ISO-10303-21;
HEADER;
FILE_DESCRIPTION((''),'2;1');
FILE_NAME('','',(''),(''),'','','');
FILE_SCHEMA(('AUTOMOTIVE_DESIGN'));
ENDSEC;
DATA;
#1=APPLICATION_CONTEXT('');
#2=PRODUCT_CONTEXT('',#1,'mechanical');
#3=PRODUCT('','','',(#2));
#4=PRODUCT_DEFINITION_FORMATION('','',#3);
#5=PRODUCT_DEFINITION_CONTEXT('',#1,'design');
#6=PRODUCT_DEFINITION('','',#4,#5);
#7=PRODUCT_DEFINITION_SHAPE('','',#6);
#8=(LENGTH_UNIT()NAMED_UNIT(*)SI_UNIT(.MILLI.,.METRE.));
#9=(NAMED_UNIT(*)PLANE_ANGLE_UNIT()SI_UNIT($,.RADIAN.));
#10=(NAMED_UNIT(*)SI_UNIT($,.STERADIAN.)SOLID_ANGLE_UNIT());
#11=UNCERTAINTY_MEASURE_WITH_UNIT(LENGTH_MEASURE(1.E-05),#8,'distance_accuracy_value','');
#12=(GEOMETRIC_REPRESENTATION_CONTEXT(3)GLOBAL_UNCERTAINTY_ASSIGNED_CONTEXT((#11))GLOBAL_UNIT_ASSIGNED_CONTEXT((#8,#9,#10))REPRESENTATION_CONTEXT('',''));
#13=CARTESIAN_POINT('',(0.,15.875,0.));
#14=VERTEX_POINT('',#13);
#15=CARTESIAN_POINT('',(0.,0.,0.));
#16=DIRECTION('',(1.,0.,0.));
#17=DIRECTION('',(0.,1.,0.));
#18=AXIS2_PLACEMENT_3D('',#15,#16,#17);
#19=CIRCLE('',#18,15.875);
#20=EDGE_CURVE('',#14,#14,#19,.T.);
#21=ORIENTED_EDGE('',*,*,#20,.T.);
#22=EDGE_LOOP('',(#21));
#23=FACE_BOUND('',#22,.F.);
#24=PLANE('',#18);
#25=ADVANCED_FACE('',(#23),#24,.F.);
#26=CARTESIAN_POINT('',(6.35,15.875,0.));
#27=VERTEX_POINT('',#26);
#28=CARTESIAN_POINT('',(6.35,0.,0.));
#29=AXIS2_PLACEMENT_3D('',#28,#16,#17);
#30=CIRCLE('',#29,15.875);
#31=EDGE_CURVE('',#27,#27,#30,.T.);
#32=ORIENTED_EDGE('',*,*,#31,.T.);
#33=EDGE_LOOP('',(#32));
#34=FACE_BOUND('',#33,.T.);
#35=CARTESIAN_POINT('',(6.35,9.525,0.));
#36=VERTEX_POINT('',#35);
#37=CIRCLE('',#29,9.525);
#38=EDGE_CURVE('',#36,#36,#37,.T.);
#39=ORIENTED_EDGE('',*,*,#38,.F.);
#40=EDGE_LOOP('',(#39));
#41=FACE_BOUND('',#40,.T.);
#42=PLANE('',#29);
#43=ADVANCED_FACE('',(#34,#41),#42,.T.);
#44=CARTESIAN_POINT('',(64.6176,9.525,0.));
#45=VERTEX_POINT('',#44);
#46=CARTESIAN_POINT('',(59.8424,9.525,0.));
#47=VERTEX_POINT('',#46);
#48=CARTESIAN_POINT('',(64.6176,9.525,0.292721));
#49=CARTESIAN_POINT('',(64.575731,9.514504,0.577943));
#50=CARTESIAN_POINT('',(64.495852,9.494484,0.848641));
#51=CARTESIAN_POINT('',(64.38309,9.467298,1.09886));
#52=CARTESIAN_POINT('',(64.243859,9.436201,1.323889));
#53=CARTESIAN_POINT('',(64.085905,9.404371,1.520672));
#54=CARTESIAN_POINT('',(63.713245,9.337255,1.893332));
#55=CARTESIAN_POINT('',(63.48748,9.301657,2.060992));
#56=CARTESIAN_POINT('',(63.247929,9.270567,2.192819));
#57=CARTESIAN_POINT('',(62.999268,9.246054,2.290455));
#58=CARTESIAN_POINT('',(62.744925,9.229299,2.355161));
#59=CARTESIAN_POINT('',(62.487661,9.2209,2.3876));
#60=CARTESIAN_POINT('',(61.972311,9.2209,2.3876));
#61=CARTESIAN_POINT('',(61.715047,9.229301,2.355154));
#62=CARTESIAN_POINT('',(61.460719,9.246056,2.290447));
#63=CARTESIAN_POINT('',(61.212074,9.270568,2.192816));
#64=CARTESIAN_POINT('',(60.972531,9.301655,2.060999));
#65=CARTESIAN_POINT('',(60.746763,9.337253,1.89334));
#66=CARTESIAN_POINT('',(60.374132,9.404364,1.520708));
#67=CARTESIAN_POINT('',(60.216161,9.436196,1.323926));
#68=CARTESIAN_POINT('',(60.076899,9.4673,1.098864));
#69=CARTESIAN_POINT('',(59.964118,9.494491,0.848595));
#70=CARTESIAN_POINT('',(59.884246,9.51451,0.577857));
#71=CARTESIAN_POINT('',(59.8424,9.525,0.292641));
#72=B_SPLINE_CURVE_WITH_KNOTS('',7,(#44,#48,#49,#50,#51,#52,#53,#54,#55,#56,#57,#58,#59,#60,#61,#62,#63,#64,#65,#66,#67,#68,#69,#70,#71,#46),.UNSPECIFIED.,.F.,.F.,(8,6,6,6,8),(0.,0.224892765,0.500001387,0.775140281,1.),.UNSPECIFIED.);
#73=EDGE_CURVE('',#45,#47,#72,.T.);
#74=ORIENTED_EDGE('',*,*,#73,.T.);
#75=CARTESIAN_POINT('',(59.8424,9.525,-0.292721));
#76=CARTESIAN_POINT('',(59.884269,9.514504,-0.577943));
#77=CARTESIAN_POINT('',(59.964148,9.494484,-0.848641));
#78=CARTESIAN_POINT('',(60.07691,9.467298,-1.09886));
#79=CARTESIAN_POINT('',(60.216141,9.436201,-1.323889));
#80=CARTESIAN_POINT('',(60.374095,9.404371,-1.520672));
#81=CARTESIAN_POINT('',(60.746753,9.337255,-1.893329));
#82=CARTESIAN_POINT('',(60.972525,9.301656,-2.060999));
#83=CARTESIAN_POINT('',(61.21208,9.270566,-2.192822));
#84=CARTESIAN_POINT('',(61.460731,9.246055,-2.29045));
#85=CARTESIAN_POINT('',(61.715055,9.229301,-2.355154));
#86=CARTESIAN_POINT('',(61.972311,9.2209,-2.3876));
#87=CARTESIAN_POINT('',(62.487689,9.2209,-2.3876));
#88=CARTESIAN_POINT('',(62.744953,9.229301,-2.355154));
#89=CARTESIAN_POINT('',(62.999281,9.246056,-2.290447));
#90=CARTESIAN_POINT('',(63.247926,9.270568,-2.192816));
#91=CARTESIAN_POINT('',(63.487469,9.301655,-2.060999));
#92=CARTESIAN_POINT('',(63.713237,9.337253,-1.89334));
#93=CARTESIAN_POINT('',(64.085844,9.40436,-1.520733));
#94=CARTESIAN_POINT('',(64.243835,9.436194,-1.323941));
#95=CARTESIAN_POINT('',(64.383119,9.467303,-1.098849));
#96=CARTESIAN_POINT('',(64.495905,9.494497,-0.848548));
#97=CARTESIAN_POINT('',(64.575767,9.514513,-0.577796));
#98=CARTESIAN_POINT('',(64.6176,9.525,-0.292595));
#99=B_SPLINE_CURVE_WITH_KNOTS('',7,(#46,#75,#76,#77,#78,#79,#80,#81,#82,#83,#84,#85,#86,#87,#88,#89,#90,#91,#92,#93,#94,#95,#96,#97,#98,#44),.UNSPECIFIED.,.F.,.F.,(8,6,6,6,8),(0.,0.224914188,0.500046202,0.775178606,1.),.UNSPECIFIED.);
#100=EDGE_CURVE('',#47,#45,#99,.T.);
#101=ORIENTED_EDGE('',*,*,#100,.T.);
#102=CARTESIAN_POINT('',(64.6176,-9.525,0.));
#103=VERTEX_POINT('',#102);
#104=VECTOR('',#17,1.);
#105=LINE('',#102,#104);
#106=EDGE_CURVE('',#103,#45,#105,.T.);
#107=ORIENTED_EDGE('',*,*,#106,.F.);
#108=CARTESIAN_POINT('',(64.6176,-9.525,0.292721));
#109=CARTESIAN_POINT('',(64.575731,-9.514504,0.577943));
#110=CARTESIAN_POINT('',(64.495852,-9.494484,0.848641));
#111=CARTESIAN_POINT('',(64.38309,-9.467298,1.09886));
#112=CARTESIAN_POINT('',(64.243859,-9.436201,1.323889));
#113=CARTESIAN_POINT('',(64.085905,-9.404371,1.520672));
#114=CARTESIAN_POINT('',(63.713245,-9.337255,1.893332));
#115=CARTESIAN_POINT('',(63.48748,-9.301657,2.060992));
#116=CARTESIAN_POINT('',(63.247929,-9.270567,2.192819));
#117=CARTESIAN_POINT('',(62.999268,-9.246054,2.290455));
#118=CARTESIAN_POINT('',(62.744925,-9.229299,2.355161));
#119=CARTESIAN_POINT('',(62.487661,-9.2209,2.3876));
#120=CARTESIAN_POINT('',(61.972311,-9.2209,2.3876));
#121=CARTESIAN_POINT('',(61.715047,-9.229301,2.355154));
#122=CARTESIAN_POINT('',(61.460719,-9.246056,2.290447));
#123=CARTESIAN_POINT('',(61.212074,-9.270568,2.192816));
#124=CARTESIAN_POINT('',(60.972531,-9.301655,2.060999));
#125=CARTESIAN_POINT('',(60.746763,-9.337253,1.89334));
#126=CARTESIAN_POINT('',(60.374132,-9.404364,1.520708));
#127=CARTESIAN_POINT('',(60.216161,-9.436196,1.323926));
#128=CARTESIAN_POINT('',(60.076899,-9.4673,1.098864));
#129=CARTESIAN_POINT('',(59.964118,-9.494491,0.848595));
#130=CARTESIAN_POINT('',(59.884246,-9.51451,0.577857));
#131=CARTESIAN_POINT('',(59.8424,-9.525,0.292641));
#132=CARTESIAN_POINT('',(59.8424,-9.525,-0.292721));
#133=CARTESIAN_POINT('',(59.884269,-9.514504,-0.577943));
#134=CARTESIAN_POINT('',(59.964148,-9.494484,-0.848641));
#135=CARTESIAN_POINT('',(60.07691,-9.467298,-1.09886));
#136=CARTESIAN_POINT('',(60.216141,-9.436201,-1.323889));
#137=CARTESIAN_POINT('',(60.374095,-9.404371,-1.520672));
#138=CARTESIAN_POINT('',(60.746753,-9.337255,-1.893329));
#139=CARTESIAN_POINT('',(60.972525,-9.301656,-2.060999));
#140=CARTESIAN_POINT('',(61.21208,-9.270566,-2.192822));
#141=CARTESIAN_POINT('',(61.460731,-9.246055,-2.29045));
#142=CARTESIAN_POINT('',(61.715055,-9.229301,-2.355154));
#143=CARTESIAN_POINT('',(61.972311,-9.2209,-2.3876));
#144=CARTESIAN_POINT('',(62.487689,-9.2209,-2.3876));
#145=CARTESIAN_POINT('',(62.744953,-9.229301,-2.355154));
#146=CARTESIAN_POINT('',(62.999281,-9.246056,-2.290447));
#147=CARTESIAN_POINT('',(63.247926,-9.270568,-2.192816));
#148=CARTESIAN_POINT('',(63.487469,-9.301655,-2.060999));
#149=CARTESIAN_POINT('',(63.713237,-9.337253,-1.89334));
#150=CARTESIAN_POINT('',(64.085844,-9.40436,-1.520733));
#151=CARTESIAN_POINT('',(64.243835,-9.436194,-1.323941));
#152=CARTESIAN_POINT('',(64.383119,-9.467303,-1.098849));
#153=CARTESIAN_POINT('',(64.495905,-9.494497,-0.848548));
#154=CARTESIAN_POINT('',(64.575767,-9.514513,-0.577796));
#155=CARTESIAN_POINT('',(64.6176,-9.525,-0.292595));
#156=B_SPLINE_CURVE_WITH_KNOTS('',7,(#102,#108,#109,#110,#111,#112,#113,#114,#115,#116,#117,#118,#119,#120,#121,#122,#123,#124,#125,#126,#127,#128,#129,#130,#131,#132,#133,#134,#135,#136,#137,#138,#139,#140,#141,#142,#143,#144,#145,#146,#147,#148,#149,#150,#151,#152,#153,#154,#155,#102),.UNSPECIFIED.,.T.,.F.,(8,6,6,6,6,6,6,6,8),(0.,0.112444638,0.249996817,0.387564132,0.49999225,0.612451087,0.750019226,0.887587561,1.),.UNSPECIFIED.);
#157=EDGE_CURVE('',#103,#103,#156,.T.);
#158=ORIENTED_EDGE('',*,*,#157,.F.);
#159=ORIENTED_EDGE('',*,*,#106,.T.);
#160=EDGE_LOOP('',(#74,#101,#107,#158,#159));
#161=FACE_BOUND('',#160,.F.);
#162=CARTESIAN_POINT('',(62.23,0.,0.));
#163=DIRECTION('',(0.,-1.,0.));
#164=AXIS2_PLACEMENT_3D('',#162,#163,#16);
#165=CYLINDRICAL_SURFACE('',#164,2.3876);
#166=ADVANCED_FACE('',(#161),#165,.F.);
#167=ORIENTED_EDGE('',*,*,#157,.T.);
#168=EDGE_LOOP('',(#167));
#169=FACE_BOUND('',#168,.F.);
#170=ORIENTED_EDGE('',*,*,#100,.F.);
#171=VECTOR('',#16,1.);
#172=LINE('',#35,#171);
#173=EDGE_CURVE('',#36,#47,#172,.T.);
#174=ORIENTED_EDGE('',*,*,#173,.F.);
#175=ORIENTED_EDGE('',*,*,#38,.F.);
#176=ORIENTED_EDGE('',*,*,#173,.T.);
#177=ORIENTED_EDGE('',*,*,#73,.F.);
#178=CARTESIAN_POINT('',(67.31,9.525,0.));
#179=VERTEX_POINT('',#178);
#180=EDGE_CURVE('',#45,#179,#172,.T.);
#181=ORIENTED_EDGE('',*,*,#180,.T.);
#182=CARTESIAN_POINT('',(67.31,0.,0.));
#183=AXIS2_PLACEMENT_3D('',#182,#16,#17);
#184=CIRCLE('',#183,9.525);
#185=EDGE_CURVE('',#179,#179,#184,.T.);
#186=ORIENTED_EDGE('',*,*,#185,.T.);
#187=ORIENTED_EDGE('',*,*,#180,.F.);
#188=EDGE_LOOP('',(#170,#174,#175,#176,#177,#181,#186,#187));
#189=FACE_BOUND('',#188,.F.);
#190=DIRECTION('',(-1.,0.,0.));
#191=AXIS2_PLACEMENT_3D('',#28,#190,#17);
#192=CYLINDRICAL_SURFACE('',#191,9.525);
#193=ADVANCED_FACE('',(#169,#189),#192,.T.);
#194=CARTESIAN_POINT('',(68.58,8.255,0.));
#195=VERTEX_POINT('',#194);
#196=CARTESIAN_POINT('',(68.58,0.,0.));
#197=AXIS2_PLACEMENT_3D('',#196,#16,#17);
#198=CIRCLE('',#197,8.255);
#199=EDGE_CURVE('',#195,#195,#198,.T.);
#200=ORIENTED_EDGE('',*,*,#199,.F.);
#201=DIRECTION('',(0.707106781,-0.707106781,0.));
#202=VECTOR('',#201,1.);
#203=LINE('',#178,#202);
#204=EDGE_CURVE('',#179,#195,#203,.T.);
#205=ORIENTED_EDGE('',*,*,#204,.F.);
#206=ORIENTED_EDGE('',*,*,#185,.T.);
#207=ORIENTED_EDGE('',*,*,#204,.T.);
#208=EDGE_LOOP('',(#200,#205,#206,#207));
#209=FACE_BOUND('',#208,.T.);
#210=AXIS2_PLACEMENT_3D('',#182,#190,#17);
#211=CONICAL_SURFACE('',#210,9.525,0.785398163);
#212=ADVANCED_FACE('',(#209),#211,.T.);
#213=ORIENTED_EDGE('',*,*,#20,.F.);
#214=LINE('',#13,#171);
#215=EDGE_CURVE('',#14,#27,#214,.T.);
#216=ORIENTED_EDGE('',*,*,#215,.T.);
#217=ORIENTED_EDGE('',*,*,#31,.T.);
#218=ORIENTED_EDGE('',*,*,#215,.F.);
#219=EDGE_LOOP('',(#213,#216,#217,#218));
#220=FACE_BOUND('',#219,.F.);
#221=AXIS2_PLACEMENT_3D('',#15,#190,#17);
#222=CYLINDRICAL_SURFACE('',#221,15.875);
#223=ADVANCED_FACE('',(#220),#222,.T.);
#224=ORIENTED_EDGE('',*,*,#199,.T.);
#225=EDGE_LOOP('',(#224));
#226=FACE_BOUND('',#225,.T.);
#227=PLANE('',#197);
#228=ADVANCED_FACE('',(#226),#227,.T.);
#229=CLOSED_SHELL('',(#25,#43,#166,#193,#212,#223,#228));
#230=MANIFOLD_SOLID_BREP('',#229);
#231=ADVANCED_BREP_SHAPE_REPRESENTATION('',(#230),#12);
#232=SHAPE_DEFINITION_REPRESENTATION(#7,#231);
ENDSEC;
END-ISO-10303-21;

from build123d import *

# Parameters (mm, degrees)
F0_R          = 15.875
F1_DEPTH      = 6.35
F2_R          = 9.525
F3_DEPTH      = 62.23
F4_SIZE2      = 1.27
F4_SIZE       = 1.27
F5_R          = 2.3876
F6_DEPTH      = 15.876
F6_DEPTH_BACK = 25.4


with BuildPart() as f1:
    # F0 (on Right) → F1 (new body)
    with BuildSketch(Plane.YZ):
        Circle(F0_R)
    extrude(amount=F1_DEPTH)

    # F2 (on face) → F3 (join)
    with BuildSketch(Plane.YZ.offset(6.35)):
        Circle(F2_R)
    extrude(amount=F3_DEPTH)

    # F4
    f4_edges = [f1.edges().sort_by_distance(p)[0] for p in [
        (68.58, -9.525, 0),
    ]]
    chamfer(f4_edges, length=F4_SIZE, length2=F4_SIZE2)

    # F5 (on Front) → F6 (cut, two sides)
    with BuildSketch(Plane.XZ) as f6_sk:
        with Locations((62.23, 0)):
            Circle(F5_R)
    extrude(amount=-F6_DEPTH, mode=Mode.SUBTRACT)
    extrude(f6_sk.sketch, amount=F6_DEPTH_BACK, mode=Mode.SUBTRACT)


solid = f1.part
